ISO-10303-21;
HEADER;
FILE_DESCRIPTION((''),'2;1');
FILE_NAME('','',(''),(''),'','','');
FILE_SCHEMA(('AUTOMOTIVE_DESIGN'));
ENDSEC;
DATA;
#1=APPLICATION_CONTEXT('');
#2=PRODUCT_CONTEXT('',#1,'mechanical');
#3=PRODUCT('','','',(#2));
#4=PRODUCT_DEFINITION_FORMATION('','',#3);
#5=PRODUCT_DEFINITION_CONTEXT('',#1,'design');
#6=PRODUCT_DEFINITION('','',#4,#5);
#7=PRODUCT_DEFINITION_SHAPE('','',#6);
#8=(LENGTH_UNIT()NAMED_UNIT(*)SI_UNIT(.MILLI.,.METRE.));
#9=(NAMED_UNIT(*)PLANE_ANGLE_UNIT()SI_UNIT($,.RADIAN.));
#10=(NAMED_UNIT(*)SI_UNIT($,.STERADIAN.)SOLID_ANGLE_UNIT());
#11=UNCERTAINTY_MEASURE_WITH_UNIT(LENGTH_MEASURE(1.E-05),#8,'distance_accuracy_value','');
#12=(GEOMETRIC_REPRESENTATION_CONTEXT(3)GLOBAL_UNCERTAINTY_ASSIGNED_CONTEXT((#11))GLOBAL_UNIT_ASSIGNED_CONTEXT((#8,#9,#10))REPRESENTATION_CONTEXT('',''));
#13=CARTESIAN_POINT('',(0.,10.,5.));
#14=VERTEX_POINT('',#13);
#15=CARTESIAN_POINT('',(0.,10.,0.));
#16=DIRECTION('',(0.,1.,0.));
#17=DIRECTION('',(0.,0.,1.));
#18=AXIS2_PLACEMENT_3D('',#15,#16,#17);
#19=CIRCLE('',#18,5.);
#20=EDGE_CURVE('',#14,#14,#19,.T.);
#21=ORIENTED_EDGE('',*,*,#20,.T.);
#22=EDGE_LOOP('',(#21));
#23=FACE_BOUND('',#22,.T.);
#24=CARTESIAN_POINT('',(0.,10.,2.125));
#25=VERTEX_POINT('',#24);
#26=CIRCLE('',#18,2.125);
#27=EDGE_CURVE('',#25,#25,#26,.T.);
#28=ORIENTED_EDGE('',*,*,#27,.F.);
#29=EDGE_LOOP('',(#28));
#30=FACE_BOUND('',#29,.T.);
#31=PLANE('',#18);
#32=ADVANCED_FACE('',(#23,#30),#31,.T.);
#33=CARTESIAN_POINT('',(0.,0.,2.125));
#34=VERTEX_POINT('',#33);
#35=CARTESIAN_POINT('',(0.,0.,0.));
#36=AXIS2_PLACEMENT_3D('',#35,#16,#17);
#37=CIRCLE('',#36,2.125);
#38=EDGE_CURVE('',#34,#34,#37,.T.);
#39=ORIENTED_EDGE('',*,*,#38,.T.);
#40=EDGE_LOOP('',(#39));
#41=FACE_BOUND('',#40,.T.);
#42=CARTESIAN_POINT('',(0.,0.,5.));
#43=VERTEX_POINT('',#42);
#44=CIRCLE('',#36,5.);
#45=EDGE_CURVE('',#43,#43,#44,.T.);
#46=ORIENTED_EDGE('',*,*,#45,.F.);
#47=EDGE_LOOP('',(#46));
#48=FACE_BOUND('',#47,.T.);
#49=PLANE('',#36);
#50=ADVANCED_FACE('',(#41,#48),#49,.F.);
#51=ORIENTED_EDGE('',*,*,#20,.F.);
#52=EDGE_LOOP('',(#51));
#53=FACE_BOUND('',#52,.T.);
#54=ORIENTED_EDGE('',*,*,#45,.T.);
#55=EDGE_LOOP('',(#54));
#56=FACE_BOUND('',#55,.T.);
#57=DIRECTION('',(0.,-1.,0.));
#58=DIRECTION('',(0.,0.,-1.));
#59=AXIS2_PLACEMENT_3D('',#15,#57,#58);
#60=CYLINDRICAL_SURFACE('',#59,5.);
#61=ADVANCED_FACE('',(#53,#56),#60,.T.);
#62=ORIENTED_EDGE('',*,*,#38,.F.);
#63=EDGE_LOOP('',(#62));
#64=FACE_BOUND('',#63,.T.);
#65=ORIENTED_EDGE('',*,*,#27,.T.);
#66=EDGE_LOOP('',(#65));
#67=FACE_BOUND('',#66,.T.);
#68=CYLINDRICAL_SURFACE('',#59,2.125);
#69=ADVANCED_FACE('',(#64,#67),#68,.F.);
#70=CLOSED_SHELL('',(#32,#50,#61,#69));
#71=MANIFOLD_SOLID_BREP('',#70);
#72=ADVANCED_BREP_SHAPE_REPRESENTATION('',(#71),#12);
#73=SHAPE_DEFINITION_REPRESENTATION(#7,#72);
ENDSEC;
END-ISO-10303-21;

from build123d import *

# Parameters (mm, degrees)
SKETCH1_R           = 5
SKETCH1_R_2         = 2.125
BOSS_EXTRUDE1_DEPTH = 10


with BuildPart() as part:
    # Sketch1 → Boss-Extrude1 (new body)
    with BuildSketch(Plane(origin=(0, 0, 0), x_dir=(1, 0, 0), z_dir=(0, 1, 0))):
        Circle(SKETCH1_R)
        Circle(SKETCH1_R_2, mode=Mode.SUBTRACT)
    extrude(amount=BOSS_EXTRUDE1_DEPTH)


solid = part.part
